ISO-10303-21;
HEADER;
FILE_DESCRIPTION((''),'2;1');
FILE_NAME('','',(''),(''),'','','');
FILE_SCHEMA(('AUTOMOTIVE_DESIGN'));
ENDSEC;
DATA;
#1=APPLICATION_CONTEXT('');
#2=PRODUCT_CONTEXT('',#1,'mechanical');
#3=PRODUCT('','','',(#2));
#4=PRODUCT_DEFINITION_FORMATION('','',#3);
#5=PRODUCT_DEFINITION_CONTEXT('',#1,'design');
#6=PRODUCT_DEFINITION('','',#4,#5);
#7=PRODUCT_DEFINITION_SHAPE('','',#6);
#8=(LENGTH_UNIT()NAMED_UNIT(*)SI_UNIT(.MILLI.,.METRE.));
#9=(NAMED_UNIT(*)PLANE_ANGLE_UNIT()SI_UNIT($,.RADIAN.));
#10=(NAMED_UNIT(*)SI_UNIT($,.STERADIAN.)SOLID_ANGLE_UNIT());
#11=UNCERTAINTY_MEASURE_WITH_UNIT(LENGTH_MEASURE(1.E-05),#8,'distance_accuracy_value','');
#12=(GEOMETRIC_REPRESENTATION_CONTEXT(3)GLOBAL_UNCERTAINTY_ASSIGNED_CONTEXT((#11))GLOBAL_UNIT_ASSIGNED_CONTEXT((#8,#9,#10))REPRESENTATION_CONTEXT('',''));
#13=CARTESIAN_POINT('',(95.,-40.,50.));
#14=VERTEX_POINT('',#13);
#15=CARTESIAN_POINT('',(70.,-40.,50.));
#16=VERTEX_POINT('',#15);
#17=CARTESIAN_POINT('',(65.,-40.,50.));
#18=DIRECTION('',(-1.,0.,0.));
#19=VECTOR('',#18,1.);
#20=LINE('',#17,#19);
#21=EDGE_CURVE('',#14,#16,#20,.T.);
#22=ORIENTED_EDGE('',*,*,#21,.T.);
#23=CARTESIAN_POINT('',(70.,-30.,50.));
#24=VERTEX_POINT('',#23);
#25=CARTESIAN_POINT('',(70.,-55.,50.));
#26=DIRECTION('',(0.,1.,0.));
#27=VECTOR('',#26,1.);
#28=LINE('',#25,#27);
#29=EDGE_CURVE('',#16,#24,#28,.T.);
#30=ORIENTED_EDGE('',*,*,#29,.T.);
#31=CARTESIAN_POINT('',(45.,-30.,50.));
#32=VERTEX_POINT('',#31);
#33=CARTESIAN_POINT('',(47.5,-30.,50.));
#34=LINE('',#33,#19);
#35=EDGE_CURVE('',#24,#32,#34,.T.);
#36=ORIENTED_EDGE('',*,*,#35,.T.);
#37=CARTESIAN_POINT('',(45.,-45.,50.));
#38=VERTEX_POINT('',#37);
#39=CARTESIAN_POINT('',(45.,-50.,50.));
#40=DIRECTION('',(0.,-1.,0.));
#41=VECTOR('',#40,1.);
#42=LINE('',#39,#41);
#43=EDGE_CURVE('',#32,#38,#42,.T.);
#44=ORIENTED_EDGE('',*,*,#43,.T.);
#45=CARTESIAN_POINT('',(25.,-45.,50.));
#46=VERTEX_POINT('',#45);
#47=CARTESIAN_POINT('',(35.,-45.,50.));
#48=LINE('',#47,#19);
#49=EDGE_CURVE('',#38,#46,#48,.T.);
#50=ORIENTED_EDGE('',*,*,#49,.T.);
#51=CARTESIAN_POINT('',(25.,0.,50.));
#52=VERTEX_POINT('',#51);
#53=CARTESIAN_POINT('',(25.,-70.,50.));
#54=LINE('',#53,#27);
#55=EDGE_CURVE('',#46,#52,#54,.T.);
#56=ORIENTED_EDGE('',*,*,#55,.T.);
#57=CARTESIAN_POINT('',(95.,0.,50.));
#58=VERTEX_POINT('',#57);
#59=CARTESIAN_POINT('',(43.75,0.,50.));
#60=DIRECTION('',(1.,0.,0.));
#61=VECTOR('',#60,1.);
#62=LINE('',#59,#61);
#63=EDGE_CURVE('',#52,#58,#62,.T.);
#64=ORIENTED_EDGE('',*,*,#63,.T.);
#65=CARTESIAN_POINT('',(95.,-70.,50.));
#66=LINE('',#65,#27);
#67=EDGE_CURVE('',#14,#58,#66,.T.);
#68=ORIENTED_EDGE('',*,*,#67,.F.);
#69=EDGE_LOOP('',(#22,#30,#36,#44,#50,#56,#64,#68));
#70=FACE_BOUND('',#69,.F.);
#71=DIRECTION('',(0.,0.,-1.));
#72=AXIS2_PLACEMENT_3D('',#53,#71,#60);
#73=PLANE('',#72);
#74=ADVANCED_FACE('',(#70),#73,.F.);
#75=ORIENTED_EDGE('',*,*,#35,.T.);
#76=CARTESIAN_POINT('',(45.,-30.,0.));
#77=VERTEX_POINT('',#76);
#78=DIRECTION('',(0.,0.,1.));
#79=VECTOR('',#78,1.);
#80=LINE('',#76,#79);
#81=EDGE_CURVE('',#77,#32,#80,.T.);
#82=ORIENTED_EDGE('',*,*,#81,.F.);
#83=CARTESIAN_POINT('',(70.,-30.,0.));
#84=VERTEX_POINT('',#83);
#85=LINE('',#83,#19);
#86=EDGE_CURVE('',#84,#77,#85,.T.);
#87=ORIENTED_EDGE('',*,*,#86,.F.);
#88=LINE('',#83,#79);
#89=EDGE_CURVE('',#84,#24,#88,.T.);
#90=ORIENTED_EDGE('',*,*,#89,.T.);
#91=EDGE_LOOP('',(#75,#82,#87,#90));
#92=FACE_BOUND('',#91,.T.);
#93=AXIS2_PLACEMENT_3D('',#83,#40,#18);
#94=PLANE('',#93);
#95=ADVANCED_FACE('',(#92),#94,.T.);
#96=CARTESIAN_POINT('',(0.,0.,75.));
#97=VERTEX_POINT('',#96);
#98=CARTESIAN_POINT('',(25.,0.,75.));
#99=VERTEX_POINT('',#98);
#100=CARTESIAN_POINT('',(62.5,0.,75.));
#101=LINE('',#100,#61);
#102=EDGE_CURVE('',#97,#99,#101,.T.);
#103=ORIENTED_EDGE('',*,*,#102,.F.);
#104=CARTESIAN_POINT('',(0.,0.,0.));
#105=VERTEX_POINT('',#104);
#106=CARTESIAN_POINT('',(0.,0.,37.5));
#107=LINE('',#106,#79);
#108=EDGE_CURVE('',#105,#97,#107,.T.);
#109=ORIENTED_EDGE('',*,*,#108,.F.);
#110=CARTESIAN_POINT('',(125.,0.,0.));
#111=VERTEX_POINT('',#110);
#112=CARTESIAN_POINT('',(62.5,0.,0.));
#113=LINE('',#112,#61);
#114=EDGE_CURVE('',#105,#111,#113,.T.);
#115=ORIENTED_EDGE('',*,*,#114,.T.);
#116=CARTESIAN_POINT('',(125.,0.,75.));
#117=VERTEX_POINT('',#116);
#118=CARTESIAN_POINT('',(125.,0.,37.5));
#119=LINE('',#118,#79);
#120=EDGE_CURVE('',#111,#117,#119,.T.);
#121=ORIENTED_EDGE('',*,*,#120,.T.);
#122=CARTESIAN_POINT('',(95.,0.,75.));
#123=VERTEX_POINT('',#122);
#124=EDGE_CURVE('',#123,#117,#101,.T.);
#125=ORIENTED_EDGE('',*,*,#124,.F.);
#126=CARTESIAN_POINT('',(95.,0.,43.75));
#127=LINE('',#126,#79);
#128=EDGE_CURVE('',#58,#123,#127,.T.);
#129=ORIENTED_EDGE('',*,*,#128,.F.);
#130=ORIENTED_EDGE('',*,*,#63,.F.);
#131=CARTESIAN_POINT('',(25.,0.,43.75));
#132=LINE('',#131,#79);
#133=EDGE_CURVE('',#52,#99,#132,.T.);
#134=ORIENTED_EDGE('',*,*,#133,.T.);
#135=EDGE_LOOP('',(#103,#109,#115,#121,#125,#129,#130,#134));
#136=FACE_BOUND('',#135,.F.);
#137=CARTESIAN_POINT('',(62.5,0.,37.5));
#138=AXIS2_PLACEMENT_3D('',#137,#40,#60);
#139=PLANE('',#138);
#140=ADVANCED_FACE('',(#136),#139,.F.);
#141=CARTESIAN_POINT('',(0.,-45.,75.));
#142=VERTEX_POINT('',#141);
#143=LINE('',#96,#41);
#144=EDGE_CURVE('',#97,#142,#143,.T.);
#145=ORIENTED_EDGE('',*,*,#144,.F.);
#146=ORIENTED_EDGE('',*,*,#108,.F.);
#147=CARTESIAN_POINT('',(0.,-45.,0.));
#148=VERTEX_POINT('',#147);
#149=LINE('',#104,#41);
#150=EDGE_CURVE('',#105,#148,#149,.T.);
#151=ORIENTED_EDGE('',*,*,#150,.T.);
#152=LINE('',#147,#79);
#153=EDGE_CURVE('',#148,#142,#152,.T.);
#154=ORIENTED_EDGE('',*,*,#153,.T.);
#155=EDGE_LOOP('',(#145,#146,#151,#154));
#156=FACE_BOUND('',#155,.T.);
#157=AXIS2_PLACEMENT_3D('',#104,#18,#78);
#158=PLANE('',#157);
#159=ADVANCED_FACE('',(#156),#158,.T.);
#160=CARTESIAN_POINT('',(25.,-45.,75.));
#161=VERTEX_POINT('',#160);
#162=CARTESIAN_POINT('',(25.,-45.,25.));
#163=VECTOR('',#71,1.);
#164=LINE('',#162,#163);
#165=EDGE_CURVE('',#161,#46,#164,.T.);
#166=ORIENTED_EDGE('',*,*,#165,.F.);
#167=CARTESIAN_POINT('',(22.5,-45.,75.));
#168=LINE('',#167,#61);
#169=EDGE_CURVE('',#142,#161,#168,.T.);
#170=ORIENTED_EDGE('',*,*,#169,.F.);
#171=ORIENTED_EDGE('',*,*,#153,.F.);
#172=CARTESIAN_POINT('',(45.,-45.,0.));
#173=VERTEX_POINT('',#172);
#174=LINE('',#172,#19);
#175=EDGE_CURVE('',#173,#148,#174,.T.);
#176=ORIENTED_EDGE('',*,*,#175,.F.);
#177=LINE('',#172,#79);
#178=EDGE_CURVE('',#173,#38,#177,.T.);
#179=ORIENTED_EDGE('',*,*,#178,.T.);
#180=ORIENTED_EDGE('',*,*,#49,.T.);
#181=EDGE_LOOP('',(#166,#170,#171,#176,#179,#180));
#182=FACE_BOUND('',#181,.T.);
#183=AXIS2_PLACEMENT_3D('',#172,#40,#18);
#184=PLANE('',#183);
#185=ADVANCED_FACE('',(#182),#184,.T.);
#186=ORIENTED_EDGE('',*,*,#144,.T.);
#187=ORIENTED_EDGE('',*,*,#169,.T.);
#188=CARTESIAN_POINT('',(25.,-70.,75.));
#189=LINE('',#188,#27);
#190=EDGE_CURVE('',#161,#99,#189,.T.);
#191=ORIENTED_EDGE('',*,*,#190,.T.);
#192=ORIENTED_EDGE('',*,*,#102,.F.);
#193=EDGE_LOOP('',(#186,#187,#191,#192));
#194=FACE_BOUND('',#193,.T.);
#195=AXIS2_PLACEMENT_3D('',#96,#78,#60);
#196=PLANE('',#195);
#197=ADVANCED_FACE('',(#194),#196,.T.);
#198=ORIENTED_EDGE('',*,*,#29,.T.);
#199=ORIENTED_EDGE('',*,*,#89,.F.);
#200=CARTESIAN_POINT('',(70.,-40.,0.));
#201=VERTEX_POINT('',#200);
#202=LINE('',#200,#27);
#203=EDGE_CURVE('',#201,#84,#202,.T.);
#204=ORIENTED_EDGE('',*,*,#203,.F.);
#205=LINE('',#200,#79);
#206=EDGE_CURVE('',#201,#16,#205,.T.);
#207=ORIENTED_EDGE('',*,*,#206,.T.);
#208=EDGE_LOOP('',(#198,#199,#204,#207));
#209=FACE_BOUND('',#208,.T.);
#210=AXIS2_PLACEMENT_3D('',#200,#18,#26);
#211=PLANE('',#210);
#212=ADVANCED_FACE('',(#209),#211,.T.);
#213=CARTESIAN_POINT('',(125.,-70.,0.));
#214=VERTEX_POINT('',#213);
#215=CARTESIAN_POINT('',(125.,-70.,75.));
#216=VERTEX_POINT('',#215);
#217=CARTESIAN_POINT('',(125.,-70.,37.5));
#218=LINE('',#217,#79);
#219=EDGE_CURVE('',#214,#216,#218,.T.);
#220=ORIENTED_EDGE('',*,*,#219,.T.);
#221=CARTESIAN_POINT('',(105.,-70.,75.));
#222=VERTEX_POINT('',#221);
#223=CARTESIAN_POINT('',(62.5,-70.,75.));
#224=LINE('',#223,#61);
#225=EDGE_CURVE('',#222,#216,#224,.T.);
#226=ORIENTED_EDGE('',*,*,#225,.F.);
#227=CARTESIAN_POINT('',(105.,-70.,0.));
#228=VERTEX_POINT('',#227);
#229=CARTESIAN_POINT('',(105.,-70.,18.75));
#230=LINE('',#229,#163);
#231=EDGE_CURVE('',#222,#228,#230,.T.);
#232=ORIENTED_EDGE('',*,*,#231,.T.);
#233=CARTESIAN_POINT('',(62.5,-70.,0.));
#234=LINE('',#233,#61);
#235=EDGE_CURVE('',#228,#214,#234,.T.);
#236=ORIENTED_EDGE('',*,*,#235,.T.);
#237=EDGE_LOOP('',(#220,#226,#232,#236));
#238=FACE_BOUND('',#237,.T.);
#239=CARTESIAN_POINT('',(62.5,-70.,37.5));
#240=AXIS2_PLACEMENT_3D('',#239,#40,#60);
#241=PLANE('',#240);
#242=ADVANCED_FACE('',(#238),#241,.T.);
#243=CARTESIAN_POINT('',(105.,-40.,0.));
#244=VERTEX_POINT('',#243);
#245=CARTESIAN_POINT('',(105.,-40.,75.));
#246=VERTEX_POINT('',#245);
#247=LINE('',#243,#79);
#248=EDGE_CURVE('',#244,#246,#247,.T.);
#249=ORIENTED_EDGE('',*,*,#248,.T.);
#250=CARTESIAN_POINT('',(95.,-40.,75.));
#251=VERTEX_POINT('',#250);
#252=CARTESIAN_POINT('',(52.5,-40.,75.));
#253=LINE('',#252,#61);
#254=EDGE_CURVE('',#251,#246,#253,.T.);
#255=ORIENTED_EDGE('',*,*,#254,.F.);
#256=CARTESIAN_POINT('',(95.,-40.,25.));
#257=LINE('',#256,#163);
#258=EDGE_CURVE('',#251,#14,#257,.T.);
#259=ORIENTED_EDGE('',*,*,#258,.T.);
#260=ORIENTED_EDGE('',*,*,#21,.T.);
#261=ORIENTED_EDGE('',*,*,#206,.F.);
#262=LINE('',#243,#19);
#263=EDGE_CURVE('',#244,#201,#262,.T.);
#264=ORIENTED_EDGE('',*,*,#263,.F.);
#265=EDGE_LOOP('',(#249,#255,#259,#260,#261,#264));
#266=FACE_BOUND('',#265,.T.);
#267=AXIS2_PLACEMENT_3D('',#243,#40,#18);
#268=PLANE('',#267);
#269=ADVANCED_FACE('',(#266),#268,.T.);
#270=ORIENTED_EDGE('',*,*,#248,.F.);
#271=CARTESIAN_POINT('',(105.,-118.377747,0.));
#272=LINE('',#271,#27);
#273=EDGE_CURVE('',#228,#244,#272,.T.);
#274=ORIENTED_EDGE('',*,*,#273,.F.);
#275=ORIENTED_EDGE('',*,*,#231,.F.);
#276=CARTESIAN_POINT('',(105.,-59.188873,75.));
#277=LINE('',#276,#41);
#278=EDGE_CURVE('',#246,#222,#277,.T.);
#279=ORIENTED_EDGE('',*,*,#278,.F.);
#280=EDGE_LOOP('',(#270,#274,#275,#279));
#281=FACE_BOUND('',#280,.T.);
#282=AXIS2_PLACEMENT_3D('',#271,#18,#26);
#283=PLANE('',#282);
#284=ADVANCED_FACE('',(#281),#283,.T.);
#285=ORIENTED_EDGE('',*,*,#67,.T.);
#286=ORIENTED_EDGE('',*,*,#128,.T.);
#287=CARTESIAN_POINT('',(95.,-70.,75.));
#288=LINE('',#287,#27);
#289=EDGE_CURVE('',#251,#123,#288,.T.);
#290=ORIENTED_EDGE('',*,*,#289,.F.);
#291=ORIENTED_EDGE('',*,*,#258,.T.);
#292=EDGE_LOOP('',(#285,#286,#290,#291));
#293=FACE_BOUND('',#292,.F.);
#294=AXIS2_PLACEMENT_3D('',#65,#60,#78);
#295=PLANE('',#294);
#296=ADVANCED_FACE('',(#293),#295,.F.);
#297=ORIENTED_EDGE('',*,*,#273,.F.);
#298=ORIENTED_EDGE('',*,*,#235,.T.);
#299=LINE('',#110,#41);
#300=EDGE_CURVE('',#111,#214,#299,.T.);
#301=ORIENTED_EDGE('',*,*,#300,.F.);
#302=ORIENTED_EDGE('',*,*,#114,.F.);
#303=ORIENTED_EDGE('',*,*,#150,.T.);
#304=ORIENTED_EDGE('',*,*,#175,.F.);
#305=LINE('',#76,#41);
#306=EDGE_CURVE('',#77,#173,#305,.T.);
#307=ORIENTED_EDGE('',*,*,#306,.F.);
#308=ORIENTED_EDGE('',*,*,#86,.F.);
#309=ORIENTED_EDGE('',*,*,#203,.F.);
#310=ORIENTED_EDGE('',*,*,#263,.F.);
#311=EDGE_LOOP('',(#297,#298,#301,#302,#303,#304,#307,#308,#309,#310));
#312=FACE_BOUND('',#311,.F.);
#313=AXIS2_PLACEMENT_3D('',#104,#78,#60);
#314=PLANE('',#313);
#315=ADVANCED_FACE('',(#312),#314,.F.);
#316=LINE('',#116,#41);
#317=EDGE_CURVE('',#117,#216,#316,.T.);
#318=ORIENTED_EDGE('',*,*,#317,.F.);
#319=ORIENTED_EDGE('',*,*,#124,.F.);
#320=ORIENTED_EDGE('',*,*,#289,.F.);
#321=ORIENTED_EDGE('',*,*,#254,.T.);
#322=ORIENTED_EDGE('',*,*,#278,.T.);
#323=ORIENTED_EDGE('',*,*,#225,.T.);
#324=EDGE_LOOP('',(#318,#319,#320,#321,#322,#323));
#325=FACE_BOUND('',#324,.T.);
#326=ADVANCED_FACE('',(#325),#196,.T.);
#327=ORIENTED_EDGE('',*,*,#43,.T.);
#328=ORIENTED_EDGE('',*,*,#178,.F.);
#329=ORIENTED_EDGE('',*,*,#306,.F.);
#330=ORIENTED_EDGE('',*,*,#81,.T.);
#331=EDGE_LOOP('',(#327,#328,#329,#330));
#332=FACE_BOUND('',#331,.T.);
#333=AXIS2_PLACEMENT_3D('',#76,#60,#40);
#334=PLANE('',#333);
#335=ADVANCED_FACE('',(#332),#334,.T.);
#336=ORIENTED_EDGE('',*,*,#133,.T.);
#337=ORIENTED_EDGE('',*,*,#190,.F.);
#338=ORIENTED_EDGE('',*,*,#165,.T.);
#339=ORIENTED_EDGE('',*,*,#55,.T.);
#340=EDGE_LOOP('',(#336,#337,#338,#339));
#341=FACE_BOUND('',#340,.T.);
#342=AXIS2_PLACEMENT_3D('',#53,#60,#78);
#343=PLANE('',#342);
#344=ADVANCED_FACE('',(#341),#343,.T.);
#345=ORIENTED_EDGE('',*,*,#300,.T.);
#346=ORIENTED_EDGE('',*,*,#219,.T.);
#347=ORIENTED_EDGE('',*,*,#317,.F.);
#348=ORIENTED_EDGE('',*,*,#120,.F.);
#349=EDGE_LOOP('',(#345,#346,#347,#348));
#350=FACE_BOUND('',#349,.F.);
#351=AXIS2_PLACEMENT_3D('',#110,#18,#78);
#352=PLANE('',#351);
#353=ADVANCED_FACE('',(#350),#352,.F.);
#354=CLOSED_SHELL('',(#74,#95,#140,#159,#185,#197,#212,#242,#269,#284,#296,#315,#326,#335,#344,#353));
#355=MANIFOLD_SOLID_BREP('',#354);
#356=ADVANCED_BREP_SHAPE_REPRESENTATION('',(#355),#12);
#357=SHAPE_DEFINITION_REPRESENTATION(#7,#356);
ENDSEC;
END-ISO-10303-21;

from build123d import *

# Parameters (mm, degrees)
F0_W     = 125
F0_H     = 75
F1_DEPTH = 70
F2_W     = 70
F2_H     = 25
F3_DEPTH = 70.001
F5_DEPTH = 75.001


with BuildPart() as f1:
    # F0 (on Front) → F1 (new body)
    with BuildSketch(Plane.XZ):
        with Locations((62.5, 37.5)):
            Rectangle(F0_W, F0_H)
    extrude(amount=F1_DEPTH)

    # F2 (on face) → F3 (cut, through all)
    with BuildSketch(Plane.XZ.offset(70)):
        with Locations((60, 62.5)):
            Rectangle(F2_W, F2_H)
    extrude(amount=-F3_DEPTH, mode=Mode.SUBTRACT)

    # F4 (on Top) → F5 (cut, through all)
    with BuildSketch(Plane.XY):
        Polygon((105, -118.377747), (105, -70), (105, -40), (70, -40), (70, -30), (45, -30), (45, -45), (0, -45), (0, -118.377747), align=None)
    extrude(amount=F5_DEPTH, mode=Mode.SUBTRACT)


solid = f1.part
